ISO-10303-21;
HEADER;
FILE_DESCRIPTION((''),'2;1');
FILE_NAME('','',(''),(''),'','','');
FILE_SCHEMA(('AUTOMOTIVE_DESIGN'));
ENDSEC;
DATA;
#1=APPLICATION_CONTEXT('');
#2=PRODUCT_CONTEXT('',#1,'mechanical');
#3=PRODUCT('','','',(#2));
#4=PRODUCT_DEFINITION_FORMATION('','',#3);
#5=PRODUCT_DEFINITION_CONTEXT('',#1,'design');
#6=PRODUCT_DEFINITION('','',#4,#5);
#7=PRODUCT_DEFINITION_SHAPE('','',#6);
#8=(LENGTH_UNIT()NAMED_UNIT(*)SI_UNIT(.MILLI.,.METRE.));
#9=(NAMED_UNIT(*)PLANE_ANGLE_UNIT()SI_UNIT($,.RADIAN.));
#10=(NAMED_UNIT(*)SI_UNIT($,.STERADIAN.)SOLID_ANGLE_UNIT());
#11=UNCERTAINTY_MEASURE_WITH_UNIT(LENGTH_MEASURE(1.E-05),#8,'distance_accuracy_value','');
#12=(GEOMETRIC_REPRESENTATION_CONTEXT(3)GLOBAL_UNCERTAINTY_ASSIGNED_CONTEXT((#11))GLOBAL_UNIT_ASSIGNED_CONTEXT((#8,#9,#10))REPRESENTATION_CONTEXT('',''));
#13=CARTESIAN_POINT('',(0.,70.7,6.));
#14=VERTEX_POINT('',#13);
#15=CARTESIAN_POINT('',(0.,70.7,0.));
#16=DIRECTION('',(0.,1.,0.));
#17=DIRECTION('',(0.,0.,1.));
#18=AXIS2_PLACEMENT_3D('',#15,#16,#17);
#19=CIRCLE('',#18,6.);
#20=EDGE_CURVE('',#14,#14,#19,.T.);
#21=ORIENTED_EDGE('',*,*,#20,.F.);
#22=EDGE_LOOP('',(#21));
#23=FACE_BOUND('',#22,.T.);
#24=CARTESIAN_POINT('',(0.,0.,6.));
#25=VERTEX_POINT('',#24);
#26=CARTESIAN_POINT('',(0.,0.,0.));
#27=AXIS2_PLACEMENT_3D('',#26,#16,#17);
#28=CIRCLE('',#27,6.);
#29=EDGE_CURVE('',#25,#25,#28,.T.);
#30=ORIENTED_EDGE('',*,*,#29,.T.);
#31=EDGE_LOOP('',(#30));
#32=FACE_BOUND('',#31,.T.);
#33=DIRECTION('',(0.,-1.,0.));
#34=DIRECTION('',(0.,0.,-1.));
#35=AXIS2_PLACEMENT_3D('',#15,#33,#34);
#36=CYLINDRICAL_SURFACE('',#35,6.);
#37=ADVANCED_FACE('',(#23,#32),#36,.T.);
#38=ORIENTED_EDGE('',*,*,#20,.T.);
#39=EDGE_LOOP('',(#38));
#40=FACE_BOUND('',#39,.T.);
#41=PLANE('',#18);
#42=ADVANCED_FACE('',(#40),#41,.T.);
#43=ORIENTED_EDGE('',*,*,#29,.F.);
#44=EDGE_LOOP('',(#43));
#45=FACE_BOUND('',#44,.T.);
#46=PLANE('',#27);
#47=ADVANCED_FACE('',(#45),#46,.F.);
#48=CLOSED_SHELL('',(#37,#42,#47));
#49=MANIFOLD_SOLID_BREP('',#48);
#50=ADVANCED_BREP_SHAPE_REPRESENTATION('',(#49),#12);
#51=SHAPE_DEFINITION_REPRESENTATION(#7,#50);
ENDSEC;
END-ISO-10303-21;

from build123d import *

# Parameters (mm, degrees)
SKETCH1_R           = 6
BOSS_EXTRUDE1_DEPTH = 70.7


with BuildPart() as part:
    # Sketch1 → Boss-Extrude1 (new body)
    with BuildSketch(Plane(origin=(0, 0, 0), x_dir=(1, 0, 0), z_dir=(0, 1, 0))):
        Circle(SKETCH1_R)
    extrude(amount=BOSS_EXTRUDE1_DEPTH)


solid = part.part
